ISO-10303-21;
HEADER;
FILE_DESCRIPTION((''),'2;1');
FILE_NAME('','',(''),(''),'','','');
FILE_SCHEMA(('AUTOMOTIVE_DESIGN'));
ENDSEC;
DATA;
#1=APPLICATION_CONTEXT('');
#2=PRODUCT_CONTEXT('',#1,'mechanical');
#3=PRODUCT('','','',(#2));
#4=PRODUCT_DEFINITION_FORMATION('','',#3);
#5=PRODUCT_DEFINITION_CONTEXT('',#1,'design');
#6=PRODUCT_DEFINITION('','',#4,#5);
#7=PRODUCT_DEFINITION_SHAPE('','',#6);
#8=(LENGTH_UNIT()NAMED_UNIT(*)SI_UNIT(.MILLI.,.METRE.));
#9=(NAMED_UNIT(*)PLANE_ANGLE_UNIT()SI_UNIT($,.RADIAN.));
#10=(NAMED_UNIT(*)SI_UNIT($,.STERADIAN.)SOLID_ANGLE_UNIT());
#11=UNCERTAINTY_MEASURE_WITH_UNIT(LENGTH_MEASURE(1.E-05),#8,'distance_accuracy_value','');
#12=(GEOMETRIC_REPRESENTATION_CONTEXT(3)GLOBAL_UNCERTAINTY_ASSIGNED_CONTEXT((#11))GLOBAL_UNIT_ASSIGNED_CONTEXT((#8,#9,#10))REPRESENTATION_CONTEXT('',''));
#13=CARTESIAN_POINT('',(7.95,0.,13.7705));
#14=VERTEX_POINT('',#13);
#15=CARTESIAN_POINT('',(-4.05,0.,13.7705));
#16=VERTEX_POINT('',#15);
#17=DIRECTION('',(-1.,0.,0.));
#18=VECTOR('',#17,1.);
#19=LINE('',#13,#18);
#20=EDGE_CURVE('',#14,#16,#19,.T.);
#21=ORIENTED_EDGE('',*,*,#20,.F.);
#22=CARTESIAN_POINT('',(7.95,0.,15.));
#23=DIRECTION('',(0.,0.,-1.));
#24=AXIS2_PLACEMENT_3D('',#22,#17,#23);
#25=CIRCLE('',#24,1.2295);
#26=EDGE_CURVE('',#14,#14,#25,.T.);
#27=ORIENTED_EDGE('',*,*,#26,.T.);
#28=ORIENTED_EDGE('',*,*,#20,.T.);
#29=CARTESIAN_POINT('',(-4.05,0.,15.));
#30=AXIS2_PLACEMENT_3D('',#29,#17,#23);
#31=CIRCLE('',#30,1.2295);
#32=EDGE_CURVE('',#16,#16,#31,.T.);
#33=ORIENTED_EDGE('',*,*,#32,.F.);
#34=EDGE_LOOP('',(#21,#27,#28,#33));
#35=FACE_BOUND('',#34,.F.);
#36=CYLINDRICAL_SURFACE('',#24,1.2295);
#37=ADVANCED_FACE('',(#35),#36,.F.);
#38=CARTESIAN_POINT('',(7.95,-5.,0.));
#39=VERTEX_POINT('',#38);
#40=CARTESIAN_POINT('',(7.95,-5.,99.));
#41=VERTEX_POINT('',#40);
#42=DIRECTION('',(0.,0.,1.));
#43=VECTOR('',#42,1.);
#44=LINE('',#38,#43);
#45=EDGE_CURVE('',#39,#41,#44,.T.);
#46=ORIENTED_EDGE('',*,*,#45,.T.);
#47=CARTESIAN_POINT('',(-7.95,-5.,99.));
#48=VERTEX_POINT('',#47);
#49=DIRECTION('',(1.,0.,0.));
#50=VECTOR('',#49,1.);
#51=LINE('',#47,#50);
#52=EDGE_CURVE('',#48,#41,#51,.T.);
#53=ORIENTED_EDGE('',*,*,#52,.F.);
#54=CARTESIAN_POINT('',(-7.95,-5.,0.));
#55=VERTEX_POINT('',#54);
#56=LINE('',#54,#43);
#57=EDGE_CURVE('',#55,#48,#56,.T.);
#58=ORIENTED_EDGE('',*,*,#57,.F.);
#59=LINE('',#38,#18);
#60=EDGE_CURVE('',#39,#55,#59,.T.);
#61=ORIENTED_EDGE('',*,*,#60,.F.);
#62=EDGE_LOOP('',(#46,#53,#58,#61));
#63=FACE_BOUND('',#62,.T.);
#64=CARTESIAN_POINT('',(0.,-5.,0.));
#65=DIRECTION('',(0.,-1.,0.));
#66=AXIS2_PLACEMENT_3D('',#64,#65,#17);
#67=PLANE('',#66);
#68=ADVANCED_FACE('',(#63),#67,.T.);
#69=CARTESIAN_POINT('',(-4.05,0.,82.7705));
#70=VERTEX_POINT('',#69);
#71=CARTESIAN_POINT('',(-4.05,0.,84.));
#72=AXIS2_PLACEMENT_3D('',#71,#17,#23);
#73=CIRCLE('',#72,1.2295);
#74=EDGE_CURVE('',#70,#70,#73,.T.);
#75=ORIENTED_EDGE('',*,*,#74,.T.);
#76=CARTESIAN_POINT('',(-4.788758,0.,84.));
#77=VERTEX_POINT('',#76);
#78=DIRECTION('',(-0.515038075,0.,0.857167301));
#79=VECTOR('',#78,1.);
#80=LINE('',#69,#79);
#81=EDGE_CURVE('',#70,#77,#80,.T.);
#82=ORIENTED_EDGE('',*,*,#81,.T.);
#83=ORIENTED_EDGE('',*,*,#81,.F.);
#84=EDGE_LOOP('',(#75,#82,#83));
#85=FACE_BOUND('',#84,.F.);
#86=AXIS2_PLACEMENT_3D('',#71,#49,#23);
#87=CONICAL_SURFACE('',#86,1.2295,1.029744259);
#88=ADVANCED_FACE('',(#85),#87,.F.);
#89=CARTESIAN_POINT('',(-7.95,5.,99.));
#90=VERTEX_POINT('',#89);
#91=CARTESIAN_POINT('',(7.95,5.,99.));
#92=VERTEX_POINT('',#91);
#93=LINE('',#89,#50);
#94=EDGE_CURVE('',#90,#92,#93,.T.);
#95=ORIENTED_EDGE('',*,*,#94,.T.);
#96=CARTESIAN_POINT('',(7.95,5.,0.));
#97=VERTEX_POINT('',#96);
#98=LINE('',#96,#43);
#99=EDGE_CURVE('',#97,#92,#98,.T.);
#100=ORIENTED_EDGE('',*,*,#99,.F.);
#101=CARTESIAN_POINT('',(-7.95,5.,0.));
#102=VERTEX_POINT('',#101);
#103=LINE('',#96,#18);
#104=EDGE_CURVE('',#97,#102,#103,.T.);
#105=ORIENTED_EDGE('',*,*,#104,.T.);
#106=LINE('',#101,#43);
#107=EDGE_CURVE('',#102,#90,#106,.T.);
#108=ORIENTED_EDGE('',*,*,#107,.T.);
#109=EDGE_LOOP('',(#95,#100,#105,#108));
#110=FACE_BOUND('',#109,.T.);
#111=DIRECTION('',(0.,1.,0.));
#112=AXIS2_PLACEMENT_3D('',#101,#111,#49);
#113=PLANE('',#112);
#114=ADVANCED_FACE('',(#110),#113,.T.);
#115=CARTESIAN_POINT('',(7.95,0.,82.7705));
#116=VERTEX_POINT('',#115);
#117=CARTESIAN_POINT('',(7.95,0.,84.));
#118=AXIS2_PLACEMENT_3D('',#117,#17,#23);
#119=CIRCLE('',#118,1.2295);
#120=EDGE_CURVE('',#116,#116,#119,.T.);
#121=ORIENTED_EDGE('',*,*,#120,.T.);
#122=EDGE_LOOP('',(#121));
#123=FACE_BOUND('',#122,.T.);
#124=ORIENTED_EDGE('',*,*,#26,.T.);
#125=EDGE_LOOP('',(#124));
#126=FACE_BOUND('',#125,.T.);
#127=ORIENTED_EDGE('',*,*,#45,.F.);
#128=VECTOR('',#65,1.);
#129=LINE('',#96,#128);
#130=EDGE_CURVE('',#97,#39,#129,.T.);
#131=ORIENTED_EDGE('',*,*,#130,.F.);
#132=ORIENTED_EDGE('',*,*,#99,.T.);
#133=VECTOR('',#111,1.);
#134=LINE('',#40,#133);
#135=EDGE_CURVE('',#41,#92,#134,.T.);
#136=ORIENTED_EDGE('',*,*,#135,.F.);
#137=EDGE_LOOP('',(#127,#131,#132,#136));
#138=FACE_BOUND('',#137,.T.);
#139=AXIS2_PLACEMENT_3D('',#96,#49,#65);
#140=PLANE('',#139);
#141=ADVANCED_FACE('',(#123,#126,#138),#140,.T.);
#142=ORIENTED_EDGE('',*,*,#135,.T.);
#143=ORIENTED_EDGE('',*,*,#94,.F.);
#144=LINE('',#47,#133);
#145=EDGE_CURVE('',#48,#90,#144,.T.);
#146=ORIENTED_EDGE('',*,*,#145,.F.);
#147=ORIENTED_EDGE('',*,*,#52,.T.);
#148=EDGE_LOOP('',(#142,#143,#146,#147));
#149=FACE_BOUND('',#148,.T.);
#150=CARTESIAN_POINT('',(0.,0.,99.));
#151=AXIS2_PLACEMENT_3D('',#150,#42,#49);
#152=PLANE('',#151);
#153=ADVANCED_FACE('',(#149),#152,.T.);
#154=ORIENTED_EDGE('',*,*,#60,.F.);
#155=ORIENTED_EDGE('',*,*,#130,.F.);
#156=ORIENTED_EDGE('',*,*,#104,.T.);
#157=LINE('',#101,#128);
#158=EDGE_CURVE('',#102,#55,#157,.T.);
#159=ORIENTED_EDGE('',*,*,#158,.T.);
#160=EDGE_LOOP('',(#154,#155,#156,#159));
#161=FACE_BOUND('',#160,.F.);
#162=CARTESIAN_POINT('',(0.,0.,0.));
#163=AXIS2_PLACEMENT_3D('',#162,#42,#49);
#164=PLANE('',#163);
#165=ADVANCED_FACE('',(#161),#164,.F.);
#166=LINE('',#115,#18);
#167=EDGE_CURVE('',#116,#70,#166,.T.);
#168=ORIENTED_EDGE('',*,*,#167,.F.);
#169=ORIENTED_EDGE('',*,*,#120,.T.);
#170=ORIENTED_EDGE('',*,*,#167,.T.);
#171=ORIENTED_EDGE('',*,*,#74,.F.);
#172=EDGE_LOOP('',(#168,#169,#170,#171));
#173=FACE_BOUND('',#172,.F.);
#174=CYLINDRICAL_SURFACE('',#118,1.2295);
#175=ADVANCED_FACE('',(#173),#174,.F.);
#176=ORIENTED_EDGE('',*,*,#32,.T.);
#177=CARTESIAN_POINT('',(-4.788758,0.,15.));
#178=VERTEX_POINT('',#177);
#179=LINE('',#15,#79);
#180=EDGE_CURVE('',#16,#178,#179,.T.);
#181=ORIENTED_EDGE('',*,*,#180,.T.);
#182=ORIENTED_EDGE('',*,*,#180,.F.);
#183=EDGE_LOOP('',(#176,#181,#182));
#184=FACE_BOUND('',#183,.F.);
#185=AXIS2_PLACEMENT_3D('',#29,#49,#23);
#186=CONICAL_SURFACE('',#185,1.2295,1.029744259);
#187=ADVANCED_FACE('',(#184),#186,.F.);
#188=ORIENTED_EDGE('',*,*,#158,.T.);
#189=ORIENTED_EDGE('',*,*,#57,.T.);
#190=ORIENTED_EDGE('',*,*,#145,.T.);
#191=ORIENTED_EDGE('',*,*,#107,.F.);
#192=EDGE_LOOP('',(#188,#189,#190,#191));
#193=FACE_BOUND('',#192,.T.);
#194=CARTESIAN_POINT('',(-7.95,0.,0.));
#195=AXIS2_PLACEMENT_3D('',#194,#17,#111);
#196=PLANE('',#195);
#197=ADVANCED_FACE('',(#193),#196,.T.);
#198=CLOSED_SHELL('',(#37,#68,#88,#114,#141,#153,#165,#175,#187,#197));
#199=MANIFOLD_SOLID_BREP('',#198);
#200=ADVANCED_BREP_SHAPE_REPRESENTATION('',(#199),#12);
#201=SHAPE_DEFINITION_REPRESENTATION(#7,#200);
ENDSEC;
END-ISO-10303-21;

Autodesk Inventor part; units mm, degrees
ref_plane "YZ Plane" through (0, 0, 0) normal (1, 0, 0) x (0, 1, 0)
ref_plane "XZ Plane" through (0, 0, 0) normal (0, 1, 0) x (-1, 0, 0)
ref_plane "XY Plane" through (0, 0, 0) normal (0, 0, 1) x (1, 0, 0)
sketch "Skizze1" plane through (0, 0, 0) normal (0, 0, 1) x (1, 0, 0)
  line L0 (-7.95, 5) -> (7.95, 5)
  line L1 (7.95, 5) -> (7.95, -5)
  line L2 (7.95, -5) -> (-7.95, -5)
  line L3 (-7.95, -5) -> (-7.95, 5)
  line L4 (0, 7) -> (0, -7) projected
  line L5 (-11.13, 0) -> (11.13, 0) projected
  point P0 (0, 0)
  point P1 (0, 5)
  point P2 (-7.95, 0)
  dimension "d0" = 15.9
  dimension "d1" = 10
extrude "Extrusion1" add sketch "Skizze1" along normal blind 99
sketch "Skizze2" plane through (7.95, -5, 0) normal (1, 0, 0) x (0, 0, -1)
  line L0 (-99, 10) -> (-99, 0) projected
  line L1 (0, 0) -> (0, 10) projected
  line L2 (0, 10) -> (-99, 10) projected
  point P0 (0, 5)
  point P1 (-84, 5)
  point P2 (-15, 5)
  dimension "d4" = 15
  dimension "d5" = 15
  dimension "d6" = 5
  dimension "d7" = 5
hole "Bohrung1" at (7.95, 0, 84) at (7.95, 0, 15) direction (-1, 0, 0) diameter 2.459 depth 12 tip angle 118 thread size "M3x0.5" class "6H" standard "ISO Metric profile"
properties part number "Abstreifer" material "Polycarbonate, Smoke"
